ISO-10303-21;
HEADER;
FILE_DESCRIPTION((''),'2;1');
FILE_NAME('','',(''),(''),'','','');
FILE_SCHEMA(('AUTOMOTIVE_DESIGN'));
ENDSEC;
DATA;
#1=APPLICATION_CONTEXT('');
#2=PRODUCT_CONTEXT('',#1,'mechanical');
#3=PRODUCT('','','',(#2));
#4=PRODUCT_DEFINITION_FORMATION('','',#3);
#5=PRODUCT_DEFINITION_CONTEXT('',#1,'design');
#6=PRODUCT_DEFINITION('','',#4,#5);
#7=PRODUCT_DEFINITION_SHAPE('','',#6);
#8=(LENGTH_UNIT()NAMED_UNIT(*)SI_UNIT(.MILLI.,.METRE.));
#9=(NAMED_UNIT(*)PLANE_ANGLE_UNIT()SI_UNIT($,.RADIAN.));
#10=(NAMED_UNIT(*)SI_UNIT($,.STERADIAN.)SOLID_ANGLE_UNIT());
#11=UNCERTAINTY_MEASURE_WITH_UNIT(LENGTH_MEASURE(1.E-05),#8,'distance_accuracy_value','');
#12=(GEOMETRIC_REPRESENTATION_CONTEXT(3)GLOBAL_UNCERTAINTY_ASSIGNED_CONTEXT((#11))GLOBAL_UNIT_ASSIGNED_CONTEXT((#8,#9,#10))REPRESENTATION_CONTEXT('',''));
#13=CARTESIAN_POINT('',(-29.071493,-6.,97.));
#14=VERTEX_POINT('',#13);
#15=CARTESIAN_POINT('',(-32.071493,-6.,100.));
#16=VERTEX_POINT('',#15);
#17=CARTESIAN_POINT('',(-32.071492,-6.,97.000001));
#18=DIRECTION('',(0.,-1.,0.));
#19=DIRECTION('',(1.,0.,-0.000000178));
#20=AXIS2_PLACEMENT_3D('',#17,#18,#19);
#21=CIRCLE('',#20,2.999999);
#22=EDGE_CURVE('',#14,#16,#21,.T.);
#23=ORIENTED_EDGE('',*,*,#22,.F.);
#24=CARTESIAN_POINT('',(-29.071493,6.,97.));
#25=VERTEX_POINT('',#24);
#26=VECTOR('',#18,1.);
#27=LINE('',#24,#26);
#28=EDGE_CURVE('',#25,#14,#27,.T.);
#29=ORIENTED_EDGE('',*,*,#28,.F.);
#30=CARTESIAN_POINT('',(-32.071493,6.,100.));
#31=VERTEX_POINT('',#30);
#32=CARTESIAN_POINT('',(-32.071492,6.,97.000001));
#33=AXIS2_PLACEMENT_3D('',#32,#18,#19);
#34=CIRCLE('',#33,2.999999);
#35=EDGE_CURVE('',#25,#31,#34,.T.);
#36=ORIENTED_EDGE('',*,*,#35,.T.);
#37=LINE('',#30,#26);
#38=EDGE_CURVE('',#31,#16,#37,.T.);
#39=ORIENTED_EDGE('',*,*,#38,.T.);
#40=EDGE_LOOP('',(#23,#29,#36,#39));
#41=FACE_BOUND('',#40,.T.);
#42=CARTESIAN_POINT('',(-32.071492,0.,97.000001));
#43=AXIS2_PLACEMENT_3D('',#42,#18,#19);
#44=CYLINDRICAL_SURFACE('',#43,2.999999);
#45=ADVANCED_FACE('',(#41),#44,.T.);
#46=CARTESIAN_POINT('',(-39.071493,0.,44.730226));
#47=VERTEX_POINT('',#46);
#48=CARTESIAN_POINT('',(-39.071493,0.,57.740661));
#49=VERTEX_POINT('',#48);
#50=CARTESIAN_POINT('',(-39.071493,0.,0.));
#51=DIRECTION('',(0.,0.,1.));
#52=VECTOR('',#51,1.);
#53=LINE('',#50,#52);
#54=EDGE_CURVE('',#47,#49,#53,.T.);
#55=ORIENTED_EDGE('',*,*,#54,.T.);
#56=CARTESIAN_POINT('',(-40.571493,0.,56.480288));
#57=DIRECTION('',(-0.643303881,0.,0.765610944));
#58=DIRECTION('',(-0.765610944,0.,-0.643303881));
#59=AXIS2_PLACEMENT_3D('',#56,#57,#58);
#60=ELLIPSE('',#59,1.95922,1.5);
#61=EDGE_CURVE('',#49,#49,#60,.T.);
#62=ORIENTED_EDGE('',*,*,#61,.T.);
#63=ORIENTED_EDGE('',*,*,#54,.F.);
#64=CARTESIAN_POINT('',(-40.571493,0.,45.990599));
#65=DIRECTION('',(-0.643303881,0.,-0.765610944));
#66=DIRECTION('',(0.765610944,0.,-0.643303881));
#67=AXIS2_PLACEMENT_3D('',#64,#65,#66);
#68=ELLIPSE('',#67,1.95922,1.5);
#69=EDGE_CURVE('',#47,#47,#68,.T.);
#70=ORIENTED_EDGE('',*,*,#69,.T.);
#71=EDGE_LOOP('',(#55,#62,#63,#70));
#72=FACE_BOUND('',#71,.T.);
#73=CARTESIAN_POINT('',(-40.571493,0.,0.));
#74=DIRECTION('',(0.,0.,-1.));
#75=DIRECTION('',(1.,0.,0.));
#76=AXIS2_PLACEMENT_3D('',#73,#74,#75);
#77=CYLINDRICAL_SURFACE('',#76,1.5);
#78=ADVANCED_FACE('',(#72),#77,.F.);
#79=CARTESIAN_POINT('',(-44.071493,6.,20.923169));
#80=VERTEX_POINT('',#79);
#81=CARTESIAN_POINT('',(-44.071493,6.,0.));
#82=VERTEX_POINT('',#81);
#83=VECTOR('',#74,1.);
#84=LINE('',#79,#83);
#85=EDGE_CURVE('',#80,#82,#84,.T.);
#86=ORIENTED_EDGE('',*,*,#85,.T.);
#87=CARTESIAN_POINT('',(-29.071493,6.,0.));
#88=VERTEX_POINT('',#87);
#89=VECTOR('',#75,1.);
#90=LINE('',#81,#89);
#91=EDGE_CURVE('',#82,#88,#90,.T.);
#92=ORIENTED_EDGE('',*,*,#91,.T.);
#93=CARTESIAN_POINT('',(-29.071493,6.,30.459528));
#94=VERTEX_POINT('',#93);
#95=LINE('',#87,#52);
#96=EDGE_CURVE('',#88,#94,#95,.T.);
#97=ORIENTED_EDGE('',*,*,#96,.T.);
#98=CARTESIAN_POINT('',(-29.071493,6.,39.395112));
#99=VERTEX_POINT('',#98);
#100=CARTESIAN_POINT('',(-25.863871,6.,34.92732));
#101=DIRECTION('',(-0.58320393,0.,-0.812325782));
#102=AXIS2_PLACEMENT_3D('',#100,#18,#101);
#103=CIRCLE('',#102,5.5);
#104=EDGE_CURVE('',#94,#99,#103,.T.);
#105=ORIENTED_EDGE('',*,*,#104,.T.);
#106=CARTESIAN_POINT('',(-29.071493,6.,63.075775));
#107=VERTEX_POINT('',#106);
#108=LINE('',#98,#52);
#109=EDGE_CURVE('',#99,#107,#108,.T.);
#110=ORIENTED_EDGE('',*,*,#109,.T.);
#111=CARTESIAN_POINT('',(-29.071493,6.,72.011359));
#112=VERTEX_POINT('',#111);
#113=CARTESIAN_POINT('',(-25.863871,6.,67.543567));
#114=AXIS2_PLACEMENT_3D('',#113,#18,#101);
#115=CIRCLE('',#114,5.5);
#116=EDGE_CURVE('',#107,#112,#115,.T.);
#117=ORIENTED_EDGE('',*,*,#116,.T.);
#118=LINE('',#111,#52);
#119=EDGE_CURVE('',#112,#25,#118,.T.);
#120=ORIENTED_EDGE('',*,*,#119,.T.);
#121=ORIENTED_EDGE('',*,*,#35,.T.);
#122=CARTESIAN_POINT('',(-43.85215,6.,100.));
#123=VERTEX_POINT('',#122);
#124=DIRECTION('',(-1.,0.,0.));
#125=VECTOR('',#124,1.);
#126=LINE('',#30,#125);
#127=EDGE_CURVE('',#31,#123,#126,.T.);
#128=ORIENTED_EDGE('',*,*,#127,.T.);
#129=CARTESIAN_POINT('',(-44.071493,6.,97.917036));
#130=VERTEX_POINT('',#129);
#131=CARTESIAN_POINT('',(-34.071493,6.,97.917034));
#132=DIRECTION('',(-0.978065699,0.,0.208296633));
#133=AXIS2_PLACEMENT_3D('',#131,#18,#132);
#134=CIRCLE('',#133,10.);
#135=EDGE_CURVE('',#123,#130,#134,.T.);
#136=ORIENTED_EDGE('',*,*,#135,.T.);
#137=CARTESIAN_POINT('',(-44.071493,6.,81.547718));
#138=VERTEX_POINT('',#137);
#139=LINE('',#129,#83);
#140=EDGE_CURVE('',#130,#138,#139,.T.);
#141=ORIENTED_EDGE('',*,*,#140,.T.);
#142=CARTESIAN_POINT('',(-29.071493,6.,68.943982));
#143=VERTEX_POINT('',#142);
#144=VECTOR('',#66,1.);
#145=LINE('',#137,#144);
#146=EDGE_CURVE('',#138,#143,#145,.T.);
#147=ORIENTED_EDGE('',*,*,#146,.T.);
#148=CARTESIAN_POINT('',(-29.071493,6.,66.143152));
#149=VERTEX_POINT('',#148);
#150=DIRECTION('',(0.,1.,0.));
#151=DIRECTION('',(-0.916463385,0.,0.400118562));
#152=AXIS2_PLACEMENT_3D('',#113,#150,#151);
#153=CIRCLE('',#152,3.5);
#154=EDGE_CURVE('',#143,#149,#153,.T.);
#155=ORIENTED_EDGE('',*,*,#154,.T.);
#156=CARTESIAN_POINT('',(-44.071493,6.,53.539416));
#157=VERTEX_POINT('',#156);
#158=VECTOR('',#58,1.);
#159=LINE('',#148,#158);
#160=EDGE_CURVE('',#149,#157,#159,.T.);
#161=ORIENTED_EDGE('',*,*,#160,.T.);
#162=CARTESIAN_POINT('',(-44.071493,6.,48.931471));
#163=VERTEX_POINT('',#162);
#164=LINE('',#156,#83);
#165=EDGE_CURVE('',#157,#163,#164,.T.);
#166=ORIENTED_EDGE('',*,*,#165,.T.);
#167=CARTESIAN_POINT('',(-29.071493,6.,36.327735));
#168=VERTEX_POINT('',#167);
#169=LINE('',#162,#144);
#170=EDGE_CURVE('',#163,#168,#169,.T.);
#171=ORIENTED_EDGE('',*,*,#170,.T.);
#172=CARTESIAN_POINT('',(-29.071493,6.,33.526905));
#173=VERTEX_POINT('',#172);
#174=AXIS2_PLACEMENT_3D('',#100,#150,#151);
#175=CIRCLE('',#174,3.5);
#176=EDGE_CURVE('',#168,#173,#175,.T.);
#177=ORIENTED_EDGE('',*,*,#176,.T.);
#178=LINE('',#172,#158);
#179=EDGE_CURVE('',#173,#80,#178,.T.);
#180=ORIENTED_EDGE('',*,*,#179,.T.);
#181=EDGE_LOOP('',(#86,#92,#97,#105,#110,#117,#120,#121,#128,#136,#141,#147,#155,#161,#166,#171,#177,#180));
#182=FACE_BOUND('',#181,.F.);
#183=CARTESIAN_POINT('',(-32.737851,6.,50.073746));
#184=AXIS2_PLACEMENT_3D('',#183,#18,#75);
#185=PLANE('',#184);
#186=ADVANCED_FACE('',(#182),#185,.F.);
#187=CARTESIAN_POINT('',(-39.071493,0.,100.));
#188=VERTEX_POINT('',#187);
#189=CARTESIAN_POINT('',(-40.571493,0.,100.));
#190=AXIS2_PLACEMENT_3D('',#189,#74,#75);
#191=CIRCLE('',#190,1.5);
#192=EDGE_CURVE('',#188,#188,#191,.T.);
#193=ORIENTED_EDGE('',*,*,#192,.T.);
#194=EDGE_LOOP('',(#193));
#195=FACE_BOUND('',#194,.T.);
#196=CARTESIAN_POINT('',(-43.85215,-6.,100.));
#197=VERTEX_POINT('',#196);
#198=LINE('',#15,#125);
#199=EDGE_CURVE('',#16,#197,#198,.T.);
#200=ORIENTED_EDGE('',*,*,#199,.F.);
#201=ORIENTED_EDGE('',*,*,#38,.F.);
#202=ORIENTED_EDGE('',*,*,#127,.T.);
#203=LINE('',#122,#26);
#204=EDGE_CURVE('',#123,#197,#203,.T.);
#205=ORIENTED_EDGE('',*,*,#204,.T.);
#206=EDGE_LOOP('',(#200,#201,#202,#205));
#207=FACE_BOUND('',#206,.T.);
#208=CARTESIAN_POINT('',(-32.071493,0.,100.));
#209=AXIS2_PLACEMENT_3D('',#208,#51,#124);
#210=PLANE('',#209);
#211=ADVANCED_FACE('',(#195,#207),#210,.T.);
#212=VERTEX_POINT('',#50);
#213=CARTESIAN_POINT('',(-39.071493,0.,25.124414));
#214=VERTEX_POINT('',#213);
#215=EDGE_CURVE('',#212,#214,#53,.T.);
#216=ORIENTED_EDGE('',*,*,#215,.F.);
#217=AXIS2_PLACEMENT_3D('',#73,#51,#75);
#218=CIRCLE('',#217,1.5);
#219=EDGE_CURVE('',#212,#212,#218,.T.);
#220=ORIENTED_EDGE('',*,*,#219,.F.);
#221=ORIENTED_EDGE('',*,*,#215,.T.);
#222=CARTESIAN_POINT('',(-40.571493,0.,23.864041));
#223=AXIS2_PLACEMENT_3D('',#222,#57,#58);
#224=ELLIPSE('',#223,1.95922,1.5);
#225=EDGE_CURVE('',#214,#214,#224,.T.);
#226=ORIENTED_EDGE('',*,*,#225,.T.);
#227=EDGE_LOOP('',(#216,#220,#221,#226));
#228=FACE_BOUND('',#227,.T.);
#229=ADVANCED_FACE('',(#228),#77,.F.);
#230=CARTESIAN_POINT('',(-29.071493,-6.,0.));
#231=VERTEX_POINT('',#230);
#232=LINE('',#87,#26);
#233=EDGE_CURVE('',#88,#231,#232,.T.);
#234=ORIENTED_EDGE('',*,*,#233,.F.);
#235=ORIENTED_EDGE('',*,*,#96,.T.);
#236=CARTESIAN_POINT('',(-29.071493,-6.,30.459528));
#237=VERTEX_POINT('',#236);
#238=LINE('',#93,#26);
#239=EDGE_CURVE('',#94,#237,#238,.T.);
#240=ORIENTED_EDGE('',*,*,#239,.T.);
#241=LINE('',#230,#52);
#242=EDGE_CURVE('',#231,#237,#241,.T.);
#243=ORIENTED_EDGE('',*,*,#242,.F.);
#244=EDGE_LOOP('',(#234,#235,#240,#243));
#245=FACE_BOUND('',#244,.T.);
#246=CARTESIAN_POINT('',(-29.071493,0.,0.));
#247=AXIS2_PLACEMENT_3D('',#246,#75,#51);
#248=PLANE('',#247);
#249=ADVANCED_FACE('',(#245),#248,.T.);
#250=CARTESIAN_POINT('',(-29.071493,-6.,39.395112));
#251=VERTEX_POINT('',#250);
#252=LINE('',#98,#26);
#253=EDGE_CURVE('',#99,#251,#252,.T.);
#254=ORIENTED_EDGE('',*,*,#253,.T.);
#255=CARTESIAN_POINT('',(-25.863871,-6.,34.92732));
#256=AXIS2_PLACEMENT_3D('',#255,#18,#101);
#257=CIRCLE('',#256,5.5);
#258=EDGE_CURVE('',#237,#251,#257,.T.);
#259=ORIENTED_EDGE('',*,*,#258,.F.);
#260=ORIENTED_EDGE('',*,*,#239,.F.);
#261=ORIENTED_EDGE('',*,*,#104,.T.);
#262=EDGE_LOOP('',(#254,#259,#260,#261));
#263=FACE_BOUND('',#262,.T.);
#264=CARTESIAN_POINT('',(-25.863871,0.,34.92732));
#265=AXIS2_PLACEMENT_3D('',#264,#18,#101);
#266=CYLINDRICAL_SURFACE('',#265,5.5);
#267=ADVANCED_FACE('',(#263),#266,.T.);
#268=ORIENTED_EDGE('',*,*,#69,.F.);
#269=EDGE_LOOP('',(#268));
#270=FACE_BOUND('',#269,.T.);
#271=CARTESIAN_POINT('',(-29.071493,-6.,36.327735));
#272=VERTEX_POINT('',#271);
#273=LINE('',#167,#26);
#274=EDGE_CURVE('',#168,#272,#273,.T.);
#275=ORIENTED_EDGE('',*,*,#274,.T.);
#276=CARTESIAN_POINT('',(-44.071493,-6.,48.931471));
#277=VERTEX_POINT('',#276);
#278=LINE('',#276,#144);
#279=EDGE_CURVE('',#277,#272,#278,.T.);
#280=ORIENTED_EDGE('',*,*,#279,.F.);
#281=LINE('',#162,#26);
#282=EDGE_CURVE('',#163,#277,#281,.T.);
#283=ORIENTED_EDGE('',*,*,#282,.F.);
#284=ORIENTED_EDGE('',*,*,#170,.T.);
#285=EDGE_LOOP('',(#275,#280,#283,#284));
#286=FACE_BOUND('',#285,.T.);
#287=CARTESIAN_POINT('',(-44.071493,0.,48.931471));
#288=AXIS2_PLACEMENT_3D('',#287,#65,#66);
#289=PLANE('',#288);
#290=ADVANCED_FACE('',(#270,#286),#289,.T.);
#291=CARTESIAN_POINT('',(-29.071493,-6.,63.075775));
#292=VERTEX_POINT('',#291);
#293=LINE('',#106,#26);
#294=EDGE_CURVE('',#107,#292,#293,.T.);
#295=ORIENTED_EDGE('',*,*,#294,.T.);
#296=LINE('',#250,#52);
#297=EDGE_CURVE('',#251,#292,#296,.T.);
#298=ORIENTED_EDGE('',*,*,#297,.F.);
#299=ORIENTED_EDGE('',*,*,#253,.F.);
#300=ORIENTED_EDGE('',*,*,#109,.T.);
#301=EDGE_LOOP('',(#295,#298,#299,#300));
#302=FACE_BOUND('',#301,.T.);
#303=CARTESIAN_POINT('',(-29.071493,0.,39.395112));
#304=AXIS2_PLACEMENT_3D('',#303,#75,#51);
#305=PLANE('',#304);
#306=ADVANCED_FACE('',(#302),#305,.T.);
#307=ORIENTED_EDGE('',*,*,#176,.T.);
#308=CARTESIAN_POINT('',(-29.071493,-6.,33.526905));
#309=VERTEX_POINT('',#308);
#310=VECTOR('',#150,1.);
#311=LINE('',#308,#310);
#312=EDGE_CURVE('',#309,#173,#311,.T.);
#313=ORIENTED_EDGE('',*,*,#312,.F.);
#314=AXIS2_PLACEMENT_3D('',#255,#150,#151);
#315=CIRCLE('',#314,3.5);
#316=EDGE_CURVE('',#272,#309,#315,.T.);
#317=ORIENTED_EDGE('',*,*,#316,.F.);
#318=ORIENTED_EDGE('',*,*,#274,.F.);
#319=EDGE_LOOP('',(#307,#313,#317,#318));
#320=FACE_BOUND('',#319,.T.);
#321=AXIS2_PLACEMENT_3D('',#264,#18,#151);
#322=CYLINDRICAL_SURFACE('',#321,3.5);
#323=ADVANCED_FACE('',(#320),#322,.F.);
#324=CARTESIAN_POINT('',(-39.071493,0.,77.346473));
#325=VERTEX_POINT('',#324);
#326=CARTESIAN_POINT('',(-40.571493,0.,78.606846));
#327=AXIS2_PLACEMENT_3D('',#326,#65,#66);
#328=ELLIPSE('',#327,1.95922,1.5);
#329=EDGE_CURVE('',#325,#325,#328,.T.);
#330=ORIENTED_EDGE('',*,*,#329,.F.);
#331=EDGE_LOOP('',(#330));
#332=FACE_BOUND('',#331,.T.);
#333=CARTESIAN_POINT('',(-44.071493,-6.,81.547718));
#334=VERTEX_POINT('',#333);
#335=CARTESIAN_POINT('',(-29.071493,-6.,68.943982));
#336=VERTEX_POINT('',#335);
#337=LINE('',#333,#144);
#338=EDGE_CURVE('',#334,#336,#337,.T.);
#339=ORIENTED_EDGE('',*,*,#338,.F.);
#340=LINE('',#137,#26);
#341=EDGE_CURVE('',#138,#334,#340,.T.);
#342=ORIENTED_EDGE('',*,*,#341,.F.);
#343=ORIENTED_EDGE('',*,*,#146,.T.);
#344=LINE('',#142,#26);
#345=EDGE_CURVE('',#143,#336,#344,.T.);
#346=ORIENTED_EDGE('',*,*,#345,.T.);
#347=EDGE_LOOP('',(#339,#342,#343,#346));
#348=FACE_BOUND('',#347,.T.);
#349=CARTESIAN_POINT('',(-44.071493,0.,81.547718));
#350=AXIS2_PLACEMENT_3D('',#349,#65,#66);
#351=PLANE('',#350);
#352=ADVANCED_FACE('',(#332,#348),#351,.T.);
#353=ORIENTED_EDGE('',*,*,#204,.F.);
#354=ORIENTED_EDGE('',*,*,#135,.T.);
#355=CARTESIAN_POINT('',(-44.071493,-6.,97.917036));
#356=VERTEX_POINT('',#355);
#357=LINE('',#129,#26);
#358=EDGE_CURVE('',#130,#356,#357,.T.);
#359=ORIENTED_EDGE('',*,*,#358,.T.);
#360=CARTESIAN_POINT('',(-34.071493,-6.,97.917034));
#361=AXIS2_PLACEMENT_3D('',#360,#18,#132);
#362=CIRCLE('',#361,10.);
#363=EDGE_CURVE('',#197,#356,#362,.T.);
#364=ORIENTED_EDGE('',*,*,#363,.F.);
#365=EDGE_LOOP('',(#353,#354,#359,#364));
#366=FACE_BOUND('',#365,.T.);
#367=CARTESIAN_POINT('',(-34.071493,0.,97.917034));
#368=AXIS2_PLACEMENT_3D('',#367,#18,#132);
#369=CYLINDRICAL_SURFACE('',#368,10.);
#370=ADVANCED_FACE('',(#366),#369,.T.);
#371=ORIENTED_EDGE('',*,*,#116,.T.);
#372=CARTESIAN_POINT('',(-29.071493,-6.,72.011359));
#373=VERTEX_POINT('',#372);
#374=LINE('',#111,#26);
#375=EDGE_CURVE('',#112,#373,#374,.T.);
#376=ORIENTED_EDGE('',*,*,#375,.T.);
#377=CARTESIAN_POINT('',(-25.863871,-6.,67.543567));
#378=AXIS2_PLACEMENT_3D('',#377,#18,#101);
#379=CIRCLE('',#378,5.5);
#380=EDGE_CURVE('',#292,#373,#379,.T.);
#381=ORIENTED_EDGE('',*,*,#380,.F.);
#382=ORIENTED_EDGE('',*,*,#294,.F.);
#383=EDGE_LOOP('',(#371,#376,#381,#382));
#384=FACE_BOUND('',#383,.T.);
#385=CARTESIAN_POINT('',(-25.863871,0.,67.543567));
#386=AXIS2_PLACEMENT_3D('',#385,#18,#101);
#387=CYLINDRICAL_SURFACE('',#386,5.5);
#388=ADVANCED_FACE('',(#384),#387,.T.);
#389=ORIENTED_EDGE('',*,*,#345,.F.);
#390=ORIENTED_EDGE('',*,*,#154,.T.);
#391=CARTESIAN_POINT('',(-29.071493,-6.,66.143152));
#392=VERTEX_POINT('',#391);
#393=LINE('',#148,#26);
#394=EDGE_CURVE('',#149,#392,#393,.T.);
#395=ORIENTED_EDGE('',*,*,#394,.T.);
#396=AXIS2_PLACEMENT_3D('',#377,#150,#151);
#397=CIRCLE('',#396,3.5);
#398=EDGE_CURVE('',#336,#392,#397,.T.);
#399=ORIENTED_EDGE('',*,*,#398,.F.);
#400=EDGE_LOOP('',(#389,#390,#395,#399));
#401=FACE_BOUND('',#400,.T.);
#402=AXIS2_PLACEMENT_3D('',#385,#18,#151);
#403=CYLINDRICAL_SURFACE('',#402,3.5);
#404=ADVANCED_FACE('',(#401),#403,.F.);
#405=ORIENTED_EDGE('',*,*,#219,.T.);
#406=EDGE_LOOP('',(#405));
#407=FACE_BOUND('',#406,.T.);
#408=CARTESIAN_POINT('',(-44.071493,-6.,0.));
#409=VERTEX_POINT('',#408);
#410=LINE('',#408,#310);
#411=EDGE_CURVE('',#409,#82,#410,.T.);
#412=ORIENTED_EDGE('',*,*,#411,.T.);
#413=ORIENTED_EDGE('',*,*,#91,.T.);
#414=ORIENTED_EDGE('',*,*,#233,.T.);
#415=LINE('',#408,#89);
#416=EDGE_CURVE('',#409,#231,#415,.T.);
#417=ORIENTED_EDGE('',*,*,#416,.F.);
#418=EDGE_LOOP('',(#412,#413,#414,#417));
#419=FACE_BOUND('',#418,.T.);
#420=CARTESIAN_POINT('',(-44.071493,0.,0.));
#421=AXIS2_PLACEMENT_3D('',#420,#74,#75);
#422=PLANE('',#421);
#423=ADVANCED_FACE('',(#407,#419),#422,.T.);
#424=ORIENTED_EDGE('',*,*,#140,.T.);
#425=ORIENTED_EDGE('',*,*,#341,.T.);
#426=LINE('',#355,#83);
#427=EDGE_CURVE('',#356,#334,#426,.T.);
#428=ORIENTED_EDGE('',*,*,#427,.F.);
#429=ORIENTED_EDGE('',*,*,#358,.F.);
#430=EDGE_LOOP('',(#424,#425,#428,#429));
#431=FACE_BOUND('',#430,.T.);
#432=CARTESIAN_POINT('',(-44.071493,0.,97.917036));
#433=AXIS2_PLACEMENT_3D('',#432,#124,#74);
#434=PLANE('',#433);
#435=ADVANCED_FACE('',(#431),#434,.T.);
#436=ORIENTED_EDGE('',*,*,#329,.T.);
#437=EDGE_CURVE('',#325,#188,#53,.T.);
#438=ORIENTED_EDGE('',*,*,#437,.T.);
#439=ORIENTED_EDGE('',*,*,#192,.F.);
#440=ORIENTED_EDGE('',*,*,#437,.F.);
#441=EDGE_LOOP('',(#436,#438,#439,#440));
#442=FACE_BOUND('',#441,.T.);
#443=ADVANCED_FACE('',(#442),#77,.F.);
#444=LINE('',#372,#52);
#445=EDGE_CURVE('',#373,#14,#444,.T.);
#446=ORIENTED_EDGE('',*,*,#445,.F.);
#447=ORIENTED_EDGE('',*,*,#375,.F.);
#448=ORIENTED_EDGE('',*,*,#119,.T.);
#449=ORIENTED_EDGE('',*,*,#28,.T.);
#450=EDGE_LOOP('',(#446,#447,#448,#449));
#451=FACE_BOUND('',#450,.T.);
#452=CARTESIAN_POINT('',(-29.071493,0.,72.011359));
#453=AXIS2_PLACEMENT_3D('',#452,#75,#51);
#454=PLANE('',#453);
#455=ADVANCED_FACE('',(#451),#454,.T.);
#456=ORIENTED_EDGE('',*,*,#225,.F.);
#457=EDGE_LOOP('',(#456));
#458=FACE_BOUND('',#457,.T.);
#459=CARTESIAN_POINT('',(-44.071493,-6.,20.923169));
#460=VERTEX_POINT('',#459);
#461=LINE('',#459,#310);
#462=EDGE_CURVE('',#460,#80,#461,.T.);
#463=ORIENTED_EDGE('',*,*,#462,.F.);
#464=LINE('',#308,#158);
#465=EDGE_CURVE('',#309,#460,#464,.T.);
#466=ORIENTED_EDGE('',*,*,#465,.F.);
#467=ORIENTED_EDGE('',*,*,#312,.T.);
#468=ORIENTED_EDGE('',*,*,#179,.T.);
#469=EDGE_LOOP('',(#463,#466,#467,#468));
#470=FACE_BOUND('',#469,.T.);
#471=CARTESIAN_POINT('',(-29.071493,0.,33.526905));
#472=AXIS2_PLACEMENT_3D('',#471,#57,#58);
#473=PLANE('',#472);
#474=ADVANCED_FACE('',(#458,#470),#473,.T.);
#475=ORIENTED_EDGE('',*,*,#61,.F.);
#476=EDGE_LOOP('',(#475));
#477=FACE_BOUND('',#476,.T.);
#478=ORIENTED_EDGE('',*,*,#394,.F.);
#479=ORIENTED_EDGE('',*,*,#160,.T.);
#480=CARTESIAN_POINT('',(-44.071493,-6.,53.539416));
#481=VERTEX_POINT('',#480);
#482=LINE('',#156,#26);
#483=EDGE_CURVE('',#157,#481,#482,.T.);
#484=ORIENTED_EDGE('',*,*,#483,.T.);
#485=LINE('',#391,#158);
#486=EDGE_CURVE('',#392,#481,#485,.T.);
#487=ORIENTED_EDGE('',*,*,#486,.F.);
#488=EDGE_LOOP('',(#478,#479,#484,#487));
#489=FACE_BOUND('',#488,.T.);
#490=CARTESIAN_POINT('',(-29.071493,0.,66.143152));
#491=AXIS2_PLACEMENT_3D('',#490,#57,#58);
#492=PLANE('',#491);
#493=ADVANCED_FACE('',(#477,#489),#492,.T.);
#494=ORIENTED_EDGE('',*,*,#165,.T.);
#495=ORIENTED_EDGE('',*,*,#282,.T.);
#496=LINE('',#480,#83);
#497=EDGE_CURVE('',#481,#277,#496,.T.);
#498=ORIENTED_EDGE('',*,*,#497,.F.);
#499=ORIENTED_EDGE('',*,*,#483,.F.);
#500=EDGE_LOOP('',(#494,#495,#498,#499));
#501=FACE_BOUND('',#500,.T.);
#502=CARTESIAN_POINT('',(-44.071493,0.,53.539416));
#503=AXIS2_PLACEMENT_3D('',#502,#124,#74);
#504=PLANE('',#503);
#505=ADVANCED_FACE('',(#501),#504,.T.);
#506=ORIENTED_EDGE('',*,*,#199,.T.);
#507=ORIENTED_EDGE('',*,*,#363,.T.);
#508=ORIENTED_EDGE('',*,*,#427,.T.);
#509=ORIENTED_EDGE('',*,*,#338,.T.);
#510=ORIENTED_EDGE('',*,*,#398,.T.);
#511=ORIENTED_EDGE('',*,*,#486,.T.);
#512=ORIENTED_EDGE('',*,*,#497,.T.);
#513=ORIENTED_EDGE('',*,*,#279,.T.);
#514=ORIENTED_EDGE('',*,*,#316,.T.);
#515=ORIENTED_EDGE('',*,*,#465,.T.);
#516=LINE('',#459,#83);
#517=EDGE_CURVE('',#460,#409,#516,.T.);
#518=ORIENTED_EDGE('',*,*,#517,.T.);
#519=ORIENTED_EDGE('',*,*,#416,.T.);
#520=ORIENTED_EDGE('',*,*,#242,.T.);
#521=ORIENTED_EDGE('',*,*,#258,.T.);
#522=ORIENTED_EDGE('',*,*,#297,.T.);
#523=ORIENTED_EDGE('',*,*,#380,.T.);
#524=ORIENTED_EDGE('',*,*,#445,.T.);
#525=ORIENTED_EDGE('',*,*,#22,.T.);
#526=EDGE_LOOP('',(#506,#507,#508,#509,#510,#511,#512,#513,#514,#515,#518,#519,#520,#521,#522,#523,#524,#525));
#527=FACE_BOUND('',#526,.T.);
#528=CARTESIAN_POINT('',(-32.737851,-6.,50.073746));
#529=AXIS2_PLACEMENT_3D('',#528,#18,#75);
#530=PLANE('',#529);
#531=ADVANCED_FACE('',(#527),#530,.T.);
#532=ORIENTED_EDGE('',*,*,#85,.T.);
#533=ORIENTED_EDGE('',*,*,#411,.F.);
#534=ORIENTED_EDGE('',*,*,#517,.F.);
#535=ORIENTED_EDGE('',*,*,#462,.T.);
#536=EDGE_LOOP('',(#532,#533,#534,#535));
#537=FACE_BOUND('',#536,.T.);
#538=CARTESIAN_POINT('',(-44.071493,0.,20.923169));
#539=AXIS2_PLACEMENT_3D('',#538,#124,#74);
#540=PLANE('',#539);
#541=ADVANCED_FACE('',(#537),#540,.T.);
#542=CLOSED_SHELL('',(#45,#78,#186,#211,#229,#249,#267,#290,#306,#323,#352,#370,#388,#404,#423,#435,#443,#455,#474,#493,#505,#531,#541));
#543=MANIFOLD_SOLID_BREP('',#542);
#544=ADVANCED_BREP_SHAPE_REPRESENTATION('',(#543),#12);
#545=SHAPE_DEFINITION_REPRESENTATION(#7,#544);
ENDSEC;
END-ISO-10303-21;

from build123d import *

# Parameters (mm, degrees)
F1_DEPTH = 6
F2_R     = 1.5
F3_DEPTH = 100.001


with BuildPart() as f1:
    # F0 (on Front) → F1 (new body, symmetric)
    with BuildSketch(Plane.XZ):
        with BuildLine():
            Line((-44.071493, 0), (-29.071493, 0))
            Line((-29.071493, 0), (-29.071493, 30.459528))
            ThreePointArc((-29.071493, 30.459528), (-20.363871, 34.92732), (-29.071493, 39.395112))
            Line((-29.071493, 39.395112), (-29.071493, 63.075775))
            ThreePointArc((-29.071493, 63.075775), (-20.363871, 67.543567), (-29.071493, 72.011359))
            Line((-29.071493, 72.011359), (-29.071493, 97))
            ThreePointArc((-29.071493, 97), (-29.950172, 99.12132), (-32.071493, 100))
            Line((-32.071493, 100), (-43.85215, 100))
            ThreePointArc((-43.85215, 100), (-44.016506, 98.964276), (-44.071493, 97.917036))
            Line((-44.071493, 97.917036), (-44.071493, 81.547718))
            Line((-44.071493, 81.547718), (-29.071493, 68.943982))
            ThreePointArc((-29.071493, 68.943982), (-22.363871, 67.543567), (-29.071493, 66.143152))
            Line((-29.071493, 66.143152), (-44.071493, 53.539416))
            Line((-44.071493, 53.539416), (-44.071493, 48.931471))
            Line((-44.071493, 48.931471), (-29.071493, 36.327735))
            ThreePointArc((-29.071493, 36.327735), (-22.363871, 34.92732), (-29.071493, 33.526905))
            Line((-29.071493, 33.526905), (-44.071493, 20.923169))
            Line((-44.071493, 20.923169), (-44.071493, 0))
        make_face()
    extrude(amount=F1_DEPTH, both=True)

    # F2 (on Top) → F3 (cut, through all)
    with BuildSketch(Plane.XY):
        with Locations((-40.571493, 0)):
            Circle(F2_R)
    extrude(amount=F3_DEPTH, mode=Mode.SUBTRACT)


solid = f1.part
